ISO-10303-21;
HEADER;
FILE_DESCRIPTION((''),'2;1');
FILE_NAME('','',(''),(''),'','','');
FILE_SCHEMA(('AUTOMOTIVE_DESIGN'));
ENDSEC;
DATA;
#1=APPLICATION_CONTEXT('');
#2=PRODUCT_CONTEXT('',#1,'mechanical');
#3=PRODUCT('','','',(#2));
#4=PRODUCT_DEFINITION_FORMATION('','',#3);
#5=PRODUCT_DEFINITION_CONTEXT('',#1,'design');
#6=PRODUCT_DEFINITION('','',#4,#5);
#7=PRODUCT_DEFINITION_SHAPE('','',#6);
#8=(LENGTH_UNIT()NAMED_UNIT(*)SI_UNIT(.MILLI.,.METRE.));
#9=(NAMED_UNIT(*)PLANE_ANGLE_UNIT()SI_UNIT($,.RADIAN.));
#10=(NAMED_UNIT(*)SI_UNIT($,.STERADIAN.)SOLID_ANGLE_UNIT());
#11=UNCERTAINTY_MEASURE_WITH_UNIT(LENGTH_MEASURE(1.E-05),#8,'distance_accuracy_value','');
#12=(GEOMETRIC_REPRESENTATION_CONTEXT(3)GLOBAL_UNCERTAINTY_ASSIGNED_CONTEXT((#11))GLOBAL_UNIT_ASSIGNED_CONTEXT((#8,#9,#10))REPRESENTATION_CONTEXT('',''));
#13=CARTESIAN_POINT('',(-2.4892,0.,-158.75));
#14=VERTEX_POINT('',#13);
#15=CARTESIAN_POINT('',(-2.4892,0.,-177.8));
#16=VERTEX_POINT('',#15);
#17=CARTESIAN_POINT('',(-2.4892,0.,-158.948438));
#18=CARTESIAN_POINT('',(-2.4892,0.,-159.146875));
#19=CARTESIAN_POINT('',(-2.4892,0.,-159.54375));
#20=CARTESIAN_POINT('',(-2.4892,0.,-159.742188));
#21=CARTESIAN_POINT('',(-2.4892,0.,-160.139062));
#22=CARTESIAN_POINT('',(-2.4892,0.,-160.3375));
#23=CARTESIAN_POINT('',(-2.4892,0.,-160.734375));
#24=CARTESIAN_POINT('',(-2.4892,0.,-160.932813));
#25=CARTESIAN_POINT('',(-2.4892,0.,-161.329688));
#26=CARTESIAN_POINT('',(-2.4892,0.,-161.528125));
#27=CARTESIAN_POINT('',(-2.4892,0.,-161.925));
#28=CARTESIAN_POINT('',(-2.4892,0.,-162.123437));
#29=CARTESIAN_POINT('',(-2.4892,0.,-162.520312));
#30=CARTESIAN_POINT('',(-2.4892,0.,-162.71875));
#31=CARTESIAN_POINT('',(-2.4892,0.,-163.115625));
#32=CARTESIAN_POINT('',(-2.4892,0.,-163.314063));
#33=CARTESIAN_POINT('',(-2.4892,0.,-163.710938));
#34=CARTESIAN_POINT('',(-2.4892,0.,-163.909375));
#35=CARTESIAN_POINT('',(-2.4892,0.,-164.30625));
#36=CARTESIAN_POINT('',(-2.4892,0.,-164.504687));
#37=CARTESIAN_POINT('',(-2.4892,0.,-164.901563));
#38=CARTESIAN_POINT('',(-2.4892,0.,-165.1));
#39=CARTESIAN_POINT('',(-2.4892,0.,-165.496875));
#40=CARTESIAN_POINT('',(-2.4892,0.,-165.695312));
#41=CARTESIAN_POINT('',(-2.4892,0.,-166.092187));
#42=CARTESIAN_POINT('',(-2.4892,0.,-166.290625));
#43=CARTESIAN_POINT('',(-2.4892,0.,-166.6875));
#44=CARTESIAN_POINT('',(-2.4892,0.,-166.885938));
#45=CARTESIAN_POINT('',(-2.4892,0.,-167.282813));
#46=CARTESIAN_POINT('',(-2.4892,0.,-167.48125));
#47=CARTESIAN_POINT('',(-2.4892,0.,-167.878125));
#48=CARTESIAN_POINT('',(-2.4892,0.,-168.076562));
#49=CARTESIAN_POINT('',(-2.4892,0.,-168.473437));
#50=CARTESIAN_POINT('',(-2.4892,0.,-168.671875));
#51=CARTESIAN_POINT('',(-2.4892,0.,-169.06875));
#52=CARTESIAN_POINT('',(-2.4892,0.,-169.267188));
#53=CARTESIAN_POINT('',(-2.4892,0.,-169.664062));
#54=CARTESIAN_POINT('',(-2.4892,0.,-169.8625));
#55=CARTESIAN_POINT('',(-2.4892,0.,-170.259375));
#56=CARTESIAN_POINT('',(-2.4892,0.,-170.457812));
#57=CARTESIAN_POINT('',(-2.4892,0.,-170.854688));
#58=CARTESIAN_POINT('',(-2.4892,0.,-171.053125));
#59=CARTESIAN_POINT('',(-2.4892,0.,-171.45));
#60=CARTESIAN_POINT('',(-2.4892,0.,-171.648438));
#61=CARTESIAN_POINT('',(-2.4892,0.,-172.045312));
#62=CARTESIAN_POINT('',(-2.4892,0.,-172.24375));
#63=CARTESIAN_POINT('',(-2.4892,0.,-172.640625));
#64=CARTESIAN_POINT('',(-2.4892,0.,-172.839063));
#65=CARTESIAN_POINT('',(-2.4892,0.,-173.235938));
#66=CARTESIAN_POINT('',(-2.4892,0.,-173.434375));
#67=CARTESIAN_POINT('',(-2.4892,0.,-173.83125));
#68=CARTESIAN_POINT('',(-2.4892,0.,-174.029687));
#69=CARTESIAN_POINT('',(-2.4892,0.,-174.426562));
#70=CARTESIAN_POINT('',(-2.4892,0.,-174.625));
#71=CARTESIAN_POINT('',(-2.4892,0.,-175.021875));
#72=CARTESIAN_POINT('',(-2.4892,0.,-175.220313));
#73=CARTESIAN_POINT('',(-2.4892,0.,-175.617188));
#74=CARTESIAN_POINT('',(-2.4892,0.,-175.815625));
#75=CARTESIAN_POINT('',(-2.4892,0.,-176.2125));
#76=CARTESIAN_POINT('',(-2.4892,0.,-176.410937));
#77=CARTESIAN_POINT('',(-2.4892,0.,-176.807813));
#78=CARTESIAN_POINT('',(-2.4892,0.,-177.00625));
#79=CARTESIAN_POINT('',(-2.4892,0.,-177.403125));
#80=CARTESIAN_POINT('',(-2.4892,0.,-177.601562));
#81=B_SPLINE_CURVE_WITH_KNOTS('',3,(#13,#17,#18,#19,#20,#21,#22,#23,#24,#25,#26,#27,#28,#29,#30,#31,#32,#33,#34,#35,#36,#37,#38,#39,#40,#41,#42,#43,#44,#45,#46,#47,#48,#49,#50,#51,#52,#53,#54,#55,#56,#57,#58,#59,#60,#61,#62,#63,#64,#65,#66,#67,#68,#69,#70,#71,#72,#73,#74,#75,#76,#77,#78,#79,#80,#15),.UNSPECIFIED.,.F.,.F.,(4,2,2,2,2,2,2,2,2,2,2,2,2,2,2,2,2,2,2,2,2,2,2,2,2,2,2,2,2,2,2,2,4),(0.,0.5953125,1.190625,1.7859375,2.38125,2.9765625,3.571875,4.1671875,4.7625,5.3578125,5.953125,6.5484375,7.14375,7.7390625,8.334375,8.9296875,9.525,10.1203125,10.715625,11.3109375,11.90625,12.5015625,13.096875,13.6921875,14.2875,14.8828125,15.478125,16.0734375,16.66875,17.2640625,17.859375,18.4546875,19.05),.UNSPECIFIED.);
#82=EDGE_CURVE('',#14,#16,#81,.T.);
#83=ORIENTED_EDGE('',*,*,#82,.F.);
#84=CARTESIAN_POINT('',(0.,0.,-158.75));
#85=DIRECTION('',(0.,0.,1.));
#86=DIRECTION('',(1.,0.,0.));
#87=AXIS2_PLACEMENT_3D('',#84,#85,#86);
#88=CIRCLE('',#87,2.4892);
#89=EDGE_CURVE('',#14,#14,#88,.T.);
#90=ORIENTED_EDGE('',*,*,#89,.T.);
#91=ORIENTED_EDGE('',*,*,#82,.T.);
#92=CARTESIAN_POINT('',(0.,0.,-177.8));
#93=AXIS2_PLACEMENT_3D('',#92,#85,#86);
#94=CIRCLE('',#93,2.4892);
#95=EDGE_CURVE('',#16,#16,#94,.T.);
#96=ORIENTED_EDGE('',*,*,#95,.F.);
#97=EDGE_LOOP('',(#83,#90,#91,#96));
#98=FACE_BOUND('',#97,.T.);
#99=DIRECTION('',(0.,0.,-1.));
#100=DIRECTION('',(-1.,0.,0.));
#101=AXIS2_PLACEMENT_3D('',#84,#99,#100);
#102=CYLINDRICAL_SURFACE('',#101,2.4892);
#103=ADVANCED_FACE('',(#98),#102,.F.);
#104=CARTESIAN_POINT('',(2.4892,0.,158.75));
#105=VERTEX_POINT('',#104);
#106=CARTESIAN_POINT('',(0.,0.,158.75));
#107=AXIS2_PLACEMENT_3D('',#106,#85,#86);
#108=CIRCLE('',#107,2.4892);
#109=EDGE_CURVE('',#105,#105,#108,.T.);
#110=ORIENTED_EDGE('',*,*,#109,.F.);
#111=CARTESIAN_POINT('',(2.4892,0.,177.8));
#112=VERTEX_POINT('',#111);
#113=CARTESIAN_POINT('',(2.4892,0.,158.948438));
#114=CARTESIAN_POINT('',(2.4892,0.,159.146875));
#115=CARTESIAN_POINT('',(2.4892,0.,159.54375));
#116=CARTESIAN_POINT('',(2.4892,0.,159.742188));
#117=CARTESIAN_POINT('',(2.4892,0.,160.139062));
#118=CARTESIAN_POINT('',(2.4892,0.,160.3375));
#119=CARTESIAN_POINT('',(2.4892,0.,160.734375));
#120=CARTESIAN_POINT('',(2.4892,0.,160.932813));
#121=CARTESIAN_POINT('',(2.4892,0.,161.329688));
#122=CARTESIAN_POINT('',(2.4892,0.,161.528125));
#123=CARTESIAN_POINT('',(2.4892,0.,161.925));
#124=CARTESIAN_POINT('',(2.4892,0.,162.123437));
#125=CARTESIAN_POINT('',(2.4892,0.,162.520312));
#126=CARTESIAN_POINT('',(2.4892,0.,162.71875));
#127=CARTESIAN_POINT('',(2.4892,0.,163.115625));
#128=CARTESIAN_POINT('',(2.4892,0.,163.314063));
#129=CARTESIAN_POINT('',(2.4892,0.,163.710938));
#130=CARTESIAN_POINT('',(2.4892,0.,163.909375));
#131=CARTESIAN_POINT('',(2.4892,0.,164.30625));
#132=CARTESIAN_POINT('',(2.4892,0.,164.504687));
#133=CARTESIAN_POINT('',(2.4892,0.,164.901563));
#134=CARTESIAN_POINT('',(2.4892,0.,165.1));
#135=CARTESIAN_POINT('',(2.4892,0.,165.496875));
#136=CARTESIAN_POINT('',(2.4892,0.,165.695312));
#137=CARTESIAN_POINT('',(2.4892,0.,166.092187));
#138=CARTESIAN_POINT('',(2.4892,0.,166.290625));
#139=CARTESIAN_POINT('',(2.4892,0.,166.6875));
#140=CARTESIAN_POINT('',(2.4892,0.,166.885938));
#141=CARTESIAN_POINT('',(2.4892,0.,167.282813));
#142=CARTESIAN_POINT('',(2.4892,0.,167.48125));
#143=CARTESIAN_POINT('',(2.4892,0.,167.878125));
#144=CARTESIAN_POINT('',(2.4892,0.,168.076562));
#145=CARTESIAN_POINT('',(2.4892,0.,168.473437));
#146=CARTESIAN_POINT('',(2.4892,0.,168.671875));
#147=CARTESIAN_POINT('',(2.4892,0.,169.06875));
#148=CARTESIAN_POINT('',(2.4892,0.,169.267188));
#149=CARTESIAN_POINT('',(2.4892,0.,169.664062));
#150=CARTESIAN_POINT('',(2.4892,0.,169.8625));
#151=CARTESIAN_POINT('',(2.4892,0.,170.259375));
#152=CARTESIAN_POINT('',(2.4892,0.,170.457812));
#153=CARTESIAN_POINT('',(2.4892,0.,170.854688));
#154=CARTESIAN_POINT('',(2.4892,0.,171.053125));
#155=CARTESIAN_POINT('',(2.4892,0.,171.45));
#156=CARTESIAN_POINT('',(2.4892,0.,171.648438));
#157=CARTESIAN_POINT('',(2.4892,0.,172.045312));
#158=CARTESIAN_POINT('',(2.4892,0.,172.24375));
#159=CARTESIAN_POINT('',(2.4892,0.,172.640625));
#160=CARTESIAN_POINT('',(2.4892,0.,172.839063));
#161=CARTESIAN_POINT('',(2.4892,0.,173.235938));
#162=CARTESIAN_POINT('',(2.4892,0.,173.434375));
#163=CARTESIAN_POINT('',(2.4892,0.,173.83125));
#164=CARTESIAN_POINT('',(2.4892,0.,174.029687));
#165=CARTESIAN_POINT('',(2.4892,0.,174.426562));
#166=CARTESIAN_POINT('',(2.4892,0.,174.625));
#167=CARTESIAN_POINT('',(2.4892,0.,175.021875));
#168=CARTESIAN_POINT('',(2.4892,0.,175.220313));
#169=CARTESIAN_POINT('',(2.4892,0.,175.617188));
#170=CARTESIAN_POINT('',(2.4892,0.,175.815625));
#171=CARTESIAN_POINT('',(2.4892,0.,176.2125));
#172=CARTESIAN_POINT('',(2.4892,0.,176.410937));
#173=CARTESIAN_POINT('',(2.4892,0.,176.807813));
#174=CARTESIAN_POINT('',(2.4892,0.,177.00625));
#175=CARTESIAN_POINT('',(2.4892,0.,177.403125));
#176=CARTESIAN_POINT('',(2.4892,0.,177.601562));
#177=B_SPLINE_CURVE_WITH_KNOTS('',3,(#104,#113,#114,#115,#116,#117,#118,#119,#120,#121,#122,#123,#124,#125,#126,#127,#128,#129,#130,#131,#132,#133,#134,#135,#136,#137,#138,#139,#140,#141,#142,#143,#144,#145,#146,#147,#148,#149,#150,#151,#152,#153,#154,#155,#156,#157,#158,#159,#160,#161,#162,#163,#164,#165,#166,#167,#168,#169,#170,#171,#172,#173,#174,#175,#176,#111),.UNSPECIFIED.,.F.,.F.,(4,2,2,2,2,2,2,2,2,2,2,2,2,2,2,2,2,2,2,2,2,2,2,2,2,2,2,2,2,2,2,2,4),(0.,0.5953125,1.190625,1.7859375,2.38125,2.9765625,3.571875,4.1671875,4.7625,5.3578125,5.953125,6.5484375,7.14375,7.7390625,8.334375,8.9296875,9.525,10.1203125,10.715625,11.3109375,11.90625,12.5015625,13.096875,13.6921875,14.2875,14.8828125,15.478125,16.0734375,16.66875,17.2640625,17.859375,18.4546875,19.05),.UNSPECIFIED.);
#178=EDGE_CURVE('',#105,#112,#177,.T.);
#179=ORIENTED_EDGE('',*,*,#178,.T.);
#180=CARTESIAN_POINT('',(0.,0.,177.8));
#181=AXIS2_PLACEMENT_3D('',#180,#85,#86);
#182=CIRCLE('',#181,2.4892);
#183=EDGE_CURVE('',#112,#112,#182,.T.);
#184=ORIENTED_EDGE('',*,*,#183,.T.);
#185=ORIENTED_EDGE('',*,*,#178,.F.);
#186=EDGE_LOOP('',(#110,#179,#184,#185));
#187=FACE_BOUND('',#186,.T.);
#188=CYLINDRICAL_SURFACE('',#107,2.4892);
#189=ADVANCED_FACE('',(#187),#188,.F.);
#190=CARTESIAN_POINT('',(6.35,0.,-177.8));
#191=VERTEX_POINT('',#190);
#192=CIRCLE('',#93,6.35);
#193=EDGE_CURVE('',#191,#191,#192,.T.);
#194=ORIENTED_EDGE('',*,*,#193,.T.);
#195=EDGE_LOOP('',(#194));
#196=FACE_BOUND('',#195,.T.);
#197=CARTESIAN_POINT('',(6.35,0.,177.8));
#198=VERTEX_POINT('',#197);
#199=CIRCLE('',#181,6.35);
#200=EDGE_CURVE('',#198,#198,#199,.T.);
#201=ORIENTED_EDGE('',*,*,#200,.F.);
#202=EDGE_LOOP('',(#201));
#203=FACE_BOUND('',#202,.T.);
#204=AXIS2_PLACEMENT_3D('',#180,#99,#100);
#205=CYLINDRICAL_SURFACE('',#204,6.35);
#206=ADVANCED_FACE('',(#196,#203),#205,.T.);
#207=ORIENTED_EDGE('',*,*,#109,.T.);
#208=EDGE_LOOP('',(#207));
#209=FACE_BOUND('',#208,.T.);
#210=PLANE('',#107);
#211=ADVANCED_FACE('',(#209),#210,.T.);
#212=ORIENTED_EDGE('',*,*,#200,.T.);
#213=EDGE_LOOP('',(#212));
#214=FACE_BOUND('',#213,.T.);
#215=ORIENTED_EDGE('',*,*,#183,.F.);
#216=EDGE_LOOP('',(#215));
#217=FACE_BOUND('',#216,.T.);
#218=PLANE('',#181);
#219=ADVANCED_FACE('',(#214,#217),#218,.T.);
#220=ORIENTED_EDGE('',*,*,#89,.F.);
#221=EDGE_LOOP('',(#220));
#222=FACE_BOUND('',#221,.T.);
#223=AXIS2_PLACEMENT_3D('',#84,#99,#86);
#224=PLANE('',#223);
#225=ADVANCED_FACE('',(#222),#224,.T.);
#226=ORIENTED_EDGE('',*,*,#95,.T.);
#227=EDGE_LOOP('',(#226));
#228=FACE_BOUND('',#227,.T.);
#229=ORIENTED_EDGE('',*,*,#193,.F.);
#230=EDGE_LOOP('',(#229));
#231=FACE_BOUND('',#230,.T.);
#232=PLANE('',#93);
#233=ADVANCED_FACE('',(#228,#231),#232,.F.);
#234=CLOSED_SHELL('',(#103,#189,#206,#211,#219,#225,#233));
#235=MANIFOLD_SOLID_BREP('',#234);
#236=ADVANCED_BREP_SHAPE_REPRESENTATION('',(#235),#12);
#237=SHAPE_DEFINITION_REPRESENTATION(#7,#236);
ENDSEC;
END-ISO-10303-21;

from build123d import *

# Parameters (mm, degrees)
SKETCH1_R           = 6.35
BOSS_EXTRUDE1_DEPTH = 177.8
SKETCH3_R           = 2.4892
CUT_EXTRUDE1_DEPTH  = 19.05


with BuildPart() as part:
    # Sketch1 → Boss-Extrude1 (new, symmetric)
    with BuildSketch(Plane.XY):
        Circle(SKETCH1_R)
    extrude(amount=BOSS_EXTRUDE1_DEPTH, both=True)

    # Sketch3 → Cut-Extrude1 (cut)
    with BuildSketch(Plane.XY.offset(177.8)):
        Circle(SKETCH3_R)
    cut_extrude1 = extrude(amount=-CUT_EXTRUDE1_DEPTH, mode=Mode.SUBTRACT)

    # Mirror1: Cut-Extrude1 across plane
    add(cut_extrude1.mirror(Plane.XY), mode=Mode.SUBTRACT)


solid = part.part
